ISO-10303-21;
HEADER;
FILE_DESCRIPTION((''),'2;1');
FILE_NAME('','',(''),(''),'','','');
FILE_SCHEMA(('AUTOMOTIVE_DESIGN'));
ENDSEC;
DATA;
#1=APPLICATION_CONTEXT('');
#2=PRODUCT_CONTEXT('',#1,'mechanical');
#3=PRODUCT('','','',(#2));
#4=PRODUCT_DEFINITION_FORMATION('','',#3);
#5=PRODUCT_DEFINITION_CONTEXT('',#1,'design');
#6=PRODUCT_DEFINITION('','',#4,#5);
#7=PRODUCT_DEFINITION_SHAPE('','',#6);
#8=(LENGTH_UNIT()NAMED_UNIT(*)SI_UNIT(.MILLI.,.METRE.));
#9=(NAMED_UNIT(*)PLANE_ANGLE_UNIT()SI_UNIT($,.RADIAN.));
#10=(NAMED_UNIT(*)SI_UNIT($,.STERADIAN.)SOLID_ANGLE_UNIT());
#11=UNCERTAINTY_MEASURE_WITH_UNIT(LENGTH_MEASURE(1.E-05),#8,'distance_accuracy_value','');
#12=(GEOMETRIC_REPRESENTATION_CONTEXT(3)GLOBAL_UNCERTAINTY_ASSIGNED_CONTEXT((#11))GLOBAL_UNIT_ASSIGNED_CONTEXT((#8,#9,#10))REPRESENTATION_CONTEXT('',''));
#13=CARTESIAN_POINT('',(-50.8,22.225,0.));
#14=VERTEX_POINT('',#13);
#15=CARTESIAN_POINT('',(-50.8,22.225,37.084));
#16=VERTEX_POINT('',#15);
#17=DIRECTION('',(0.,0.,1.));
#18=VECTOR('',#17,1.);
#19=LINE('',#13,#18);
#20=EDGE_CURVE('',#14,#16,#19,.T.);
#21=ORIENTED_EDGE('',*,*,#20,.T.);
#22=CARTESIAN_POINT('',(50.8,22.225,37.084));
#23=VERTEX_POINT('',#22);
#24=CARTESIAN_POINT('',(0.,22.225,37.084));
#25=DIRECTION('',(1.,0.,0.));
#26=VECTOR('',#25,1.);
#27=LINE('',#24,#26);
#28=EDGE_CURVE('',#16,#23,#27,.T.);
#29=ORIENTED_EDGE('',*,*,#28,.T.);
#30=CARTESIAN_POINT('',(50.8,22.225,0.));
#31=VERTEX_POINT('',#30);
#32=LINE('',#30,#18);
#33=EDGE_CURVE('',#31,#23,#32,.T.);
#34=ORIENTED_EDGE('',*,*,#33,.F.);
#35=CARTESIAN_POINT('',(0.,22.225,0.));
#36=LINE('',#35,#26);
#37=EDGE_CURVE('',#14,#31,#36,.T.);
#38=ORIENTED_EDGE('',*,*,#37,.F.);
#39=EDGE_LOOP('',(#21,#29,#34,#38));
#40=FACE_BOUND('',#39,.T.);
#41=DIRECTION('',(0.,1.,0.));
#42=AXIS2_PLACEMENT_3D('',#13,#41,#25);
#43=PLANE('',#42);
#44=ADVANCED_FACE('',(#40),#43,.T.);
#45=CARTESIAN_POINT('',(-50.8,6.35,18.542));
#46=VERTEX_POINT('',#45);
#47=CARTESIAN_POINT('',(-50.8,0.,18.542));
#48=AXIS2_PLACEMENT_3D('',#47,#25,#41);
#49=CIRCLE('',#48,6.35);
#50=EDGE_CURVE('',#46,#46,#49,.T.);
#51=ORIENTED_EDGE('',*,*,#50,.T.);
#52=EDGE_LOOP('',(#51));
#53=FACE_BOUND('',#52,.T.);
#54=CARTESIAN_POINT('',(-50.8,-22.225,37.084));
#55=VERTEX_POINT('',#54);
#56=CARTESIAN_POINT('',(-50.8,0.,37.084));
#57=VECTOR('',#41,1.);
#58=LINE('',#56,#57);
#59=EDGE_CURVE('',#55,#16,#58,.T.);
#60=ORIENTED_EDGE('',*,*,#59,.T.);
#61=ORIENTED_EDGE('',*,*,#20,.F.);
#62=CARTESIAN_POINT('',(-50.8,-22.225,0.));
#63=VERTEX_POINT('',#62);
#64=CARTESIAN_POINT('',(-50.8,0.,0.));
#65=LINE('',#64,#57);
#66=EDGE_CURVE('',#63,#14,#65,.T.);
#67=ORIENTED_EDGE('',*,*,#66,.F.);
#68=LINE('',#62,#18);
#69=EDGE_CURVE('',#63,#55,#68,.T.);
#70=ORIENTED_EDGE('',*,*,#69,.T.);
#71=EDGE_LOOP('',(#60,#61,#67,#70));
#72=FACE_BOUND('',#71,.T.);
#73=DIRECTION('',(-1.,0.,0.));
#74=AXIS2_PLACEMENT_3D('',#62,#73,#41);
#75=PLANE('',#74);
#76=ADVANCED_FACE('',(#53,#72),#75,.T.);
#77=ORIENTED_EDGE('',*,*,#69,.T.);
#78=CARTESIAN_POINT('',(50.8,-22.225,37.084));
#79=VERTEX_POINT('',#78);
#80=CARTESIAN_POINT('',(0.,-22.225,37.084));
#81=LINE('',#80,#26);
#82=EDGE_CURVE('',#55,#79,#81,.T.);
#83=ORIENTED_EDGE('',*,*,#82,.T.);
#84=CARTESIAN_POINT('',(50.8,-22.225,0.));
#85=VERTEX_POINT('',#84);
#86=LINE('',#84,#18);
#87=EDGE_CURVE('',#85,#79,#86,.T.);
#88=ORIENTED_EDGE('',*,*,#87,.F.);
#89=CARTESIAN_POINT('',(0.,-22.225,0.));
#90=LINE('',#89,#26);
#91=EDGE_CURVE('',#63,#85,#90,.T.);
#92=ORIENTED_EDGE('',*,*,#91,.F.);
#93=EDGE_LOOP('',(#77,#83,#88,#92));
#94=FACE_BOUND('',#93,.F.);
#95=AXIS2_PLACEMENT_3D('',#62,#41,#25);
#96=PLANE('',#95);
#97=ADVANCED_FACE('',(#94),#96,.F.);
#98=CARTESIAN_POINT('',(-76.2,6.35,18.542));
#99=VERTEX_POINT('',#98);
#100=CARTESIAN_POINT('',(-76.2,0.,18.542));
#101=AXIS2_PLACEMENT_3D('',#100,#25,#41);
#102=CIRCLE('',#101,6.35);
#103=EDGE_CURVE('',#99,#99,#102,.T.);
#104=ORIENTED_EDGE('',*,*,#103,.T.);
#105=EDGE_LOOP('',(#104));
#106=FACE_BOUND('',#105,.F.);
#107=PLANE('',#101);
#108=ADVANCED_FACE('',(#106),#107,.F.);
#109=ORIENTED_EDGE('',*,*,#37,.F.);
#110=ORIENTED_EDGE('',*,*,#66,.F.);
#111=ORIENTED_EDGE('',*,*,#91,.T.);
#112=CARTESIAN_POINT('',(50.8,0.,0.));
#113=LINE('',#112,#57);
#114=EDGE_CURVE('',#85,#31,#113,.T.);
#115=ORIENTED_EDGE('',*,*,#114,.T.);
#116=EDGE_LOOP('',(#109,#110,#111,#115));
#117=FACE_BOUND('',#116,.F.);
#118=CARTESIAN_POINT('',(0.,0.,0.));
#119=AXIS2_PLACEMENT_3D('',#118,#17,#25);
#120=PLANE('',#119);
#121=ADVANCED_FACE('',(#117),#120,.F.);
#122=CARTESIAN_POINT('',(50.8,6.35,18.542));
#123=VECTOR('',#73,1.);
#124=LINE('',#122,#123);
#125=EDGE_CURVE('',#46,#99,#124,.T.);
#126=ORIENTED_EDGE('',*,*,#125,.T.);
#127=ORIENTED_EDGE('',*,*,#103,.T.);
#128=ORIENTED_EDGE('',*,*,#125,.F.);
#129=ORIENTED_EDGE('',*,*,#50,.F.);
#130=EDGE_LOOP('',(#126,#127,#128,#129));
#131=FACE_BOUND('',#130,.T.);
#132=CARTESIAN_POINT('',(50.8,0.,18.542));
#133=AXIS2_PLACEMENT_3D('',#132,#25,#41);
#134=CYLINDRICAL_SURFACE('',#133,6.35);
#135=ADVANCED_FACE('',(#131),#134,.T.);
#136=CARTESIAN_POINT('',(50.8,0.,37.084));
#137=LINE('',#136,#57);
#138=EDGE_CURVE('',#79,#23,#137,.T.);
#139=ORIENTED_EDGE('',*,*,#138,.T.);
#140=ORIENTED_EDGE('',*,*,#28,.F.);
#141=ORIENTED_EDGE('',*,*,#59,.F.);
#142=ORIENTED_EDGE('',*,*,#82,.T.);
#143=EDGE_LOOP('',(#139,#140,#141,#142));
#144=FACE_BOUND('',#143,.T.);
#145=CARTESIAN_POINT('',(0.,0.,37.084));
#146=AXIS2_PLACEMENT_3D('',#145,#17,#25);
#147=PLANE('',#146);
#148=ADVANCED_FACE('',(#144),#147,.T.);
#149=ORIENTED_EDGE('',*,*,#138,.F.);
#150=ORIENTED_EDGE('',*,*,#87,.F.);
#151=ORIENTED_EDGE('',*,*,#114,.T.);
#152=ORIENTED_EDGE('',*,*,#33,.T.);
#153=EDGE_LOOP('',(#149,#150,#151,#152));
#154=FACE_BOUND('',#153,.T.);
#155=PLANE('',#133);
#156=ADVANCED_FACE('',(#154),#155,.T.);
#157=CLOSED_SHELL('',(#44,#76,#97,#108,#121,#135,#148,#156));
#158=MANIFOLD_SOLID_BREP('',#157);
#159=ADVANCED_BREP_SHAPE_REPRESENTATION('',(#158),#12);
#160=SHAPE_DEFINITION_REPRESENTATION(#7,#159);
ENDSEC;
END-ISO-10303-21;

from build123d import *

# Parameters (mm, degrees)
F0_W     = 101.6
F0_H     = 44.45
F1_DEPTH = 37.084
F2_R     = 6.35
F3_DEPTH = 127


with BuildPart() as f1:
    # F0 (on Top) → F1 (new body)
    with BuildSketch(Plane.XY):
        Rectangle(F0_W, F0_H)
    extrude(amount=F1_DEPTH)

    # F2 (on face) → F3 (join)
    with BuildSketch(Plane.YZ.offset(50.8)):
        with Locations((0, 18.542)):
            Circle(F2_R)
    extrude(amount=-F3_DEPTH)


solid = f1.part
